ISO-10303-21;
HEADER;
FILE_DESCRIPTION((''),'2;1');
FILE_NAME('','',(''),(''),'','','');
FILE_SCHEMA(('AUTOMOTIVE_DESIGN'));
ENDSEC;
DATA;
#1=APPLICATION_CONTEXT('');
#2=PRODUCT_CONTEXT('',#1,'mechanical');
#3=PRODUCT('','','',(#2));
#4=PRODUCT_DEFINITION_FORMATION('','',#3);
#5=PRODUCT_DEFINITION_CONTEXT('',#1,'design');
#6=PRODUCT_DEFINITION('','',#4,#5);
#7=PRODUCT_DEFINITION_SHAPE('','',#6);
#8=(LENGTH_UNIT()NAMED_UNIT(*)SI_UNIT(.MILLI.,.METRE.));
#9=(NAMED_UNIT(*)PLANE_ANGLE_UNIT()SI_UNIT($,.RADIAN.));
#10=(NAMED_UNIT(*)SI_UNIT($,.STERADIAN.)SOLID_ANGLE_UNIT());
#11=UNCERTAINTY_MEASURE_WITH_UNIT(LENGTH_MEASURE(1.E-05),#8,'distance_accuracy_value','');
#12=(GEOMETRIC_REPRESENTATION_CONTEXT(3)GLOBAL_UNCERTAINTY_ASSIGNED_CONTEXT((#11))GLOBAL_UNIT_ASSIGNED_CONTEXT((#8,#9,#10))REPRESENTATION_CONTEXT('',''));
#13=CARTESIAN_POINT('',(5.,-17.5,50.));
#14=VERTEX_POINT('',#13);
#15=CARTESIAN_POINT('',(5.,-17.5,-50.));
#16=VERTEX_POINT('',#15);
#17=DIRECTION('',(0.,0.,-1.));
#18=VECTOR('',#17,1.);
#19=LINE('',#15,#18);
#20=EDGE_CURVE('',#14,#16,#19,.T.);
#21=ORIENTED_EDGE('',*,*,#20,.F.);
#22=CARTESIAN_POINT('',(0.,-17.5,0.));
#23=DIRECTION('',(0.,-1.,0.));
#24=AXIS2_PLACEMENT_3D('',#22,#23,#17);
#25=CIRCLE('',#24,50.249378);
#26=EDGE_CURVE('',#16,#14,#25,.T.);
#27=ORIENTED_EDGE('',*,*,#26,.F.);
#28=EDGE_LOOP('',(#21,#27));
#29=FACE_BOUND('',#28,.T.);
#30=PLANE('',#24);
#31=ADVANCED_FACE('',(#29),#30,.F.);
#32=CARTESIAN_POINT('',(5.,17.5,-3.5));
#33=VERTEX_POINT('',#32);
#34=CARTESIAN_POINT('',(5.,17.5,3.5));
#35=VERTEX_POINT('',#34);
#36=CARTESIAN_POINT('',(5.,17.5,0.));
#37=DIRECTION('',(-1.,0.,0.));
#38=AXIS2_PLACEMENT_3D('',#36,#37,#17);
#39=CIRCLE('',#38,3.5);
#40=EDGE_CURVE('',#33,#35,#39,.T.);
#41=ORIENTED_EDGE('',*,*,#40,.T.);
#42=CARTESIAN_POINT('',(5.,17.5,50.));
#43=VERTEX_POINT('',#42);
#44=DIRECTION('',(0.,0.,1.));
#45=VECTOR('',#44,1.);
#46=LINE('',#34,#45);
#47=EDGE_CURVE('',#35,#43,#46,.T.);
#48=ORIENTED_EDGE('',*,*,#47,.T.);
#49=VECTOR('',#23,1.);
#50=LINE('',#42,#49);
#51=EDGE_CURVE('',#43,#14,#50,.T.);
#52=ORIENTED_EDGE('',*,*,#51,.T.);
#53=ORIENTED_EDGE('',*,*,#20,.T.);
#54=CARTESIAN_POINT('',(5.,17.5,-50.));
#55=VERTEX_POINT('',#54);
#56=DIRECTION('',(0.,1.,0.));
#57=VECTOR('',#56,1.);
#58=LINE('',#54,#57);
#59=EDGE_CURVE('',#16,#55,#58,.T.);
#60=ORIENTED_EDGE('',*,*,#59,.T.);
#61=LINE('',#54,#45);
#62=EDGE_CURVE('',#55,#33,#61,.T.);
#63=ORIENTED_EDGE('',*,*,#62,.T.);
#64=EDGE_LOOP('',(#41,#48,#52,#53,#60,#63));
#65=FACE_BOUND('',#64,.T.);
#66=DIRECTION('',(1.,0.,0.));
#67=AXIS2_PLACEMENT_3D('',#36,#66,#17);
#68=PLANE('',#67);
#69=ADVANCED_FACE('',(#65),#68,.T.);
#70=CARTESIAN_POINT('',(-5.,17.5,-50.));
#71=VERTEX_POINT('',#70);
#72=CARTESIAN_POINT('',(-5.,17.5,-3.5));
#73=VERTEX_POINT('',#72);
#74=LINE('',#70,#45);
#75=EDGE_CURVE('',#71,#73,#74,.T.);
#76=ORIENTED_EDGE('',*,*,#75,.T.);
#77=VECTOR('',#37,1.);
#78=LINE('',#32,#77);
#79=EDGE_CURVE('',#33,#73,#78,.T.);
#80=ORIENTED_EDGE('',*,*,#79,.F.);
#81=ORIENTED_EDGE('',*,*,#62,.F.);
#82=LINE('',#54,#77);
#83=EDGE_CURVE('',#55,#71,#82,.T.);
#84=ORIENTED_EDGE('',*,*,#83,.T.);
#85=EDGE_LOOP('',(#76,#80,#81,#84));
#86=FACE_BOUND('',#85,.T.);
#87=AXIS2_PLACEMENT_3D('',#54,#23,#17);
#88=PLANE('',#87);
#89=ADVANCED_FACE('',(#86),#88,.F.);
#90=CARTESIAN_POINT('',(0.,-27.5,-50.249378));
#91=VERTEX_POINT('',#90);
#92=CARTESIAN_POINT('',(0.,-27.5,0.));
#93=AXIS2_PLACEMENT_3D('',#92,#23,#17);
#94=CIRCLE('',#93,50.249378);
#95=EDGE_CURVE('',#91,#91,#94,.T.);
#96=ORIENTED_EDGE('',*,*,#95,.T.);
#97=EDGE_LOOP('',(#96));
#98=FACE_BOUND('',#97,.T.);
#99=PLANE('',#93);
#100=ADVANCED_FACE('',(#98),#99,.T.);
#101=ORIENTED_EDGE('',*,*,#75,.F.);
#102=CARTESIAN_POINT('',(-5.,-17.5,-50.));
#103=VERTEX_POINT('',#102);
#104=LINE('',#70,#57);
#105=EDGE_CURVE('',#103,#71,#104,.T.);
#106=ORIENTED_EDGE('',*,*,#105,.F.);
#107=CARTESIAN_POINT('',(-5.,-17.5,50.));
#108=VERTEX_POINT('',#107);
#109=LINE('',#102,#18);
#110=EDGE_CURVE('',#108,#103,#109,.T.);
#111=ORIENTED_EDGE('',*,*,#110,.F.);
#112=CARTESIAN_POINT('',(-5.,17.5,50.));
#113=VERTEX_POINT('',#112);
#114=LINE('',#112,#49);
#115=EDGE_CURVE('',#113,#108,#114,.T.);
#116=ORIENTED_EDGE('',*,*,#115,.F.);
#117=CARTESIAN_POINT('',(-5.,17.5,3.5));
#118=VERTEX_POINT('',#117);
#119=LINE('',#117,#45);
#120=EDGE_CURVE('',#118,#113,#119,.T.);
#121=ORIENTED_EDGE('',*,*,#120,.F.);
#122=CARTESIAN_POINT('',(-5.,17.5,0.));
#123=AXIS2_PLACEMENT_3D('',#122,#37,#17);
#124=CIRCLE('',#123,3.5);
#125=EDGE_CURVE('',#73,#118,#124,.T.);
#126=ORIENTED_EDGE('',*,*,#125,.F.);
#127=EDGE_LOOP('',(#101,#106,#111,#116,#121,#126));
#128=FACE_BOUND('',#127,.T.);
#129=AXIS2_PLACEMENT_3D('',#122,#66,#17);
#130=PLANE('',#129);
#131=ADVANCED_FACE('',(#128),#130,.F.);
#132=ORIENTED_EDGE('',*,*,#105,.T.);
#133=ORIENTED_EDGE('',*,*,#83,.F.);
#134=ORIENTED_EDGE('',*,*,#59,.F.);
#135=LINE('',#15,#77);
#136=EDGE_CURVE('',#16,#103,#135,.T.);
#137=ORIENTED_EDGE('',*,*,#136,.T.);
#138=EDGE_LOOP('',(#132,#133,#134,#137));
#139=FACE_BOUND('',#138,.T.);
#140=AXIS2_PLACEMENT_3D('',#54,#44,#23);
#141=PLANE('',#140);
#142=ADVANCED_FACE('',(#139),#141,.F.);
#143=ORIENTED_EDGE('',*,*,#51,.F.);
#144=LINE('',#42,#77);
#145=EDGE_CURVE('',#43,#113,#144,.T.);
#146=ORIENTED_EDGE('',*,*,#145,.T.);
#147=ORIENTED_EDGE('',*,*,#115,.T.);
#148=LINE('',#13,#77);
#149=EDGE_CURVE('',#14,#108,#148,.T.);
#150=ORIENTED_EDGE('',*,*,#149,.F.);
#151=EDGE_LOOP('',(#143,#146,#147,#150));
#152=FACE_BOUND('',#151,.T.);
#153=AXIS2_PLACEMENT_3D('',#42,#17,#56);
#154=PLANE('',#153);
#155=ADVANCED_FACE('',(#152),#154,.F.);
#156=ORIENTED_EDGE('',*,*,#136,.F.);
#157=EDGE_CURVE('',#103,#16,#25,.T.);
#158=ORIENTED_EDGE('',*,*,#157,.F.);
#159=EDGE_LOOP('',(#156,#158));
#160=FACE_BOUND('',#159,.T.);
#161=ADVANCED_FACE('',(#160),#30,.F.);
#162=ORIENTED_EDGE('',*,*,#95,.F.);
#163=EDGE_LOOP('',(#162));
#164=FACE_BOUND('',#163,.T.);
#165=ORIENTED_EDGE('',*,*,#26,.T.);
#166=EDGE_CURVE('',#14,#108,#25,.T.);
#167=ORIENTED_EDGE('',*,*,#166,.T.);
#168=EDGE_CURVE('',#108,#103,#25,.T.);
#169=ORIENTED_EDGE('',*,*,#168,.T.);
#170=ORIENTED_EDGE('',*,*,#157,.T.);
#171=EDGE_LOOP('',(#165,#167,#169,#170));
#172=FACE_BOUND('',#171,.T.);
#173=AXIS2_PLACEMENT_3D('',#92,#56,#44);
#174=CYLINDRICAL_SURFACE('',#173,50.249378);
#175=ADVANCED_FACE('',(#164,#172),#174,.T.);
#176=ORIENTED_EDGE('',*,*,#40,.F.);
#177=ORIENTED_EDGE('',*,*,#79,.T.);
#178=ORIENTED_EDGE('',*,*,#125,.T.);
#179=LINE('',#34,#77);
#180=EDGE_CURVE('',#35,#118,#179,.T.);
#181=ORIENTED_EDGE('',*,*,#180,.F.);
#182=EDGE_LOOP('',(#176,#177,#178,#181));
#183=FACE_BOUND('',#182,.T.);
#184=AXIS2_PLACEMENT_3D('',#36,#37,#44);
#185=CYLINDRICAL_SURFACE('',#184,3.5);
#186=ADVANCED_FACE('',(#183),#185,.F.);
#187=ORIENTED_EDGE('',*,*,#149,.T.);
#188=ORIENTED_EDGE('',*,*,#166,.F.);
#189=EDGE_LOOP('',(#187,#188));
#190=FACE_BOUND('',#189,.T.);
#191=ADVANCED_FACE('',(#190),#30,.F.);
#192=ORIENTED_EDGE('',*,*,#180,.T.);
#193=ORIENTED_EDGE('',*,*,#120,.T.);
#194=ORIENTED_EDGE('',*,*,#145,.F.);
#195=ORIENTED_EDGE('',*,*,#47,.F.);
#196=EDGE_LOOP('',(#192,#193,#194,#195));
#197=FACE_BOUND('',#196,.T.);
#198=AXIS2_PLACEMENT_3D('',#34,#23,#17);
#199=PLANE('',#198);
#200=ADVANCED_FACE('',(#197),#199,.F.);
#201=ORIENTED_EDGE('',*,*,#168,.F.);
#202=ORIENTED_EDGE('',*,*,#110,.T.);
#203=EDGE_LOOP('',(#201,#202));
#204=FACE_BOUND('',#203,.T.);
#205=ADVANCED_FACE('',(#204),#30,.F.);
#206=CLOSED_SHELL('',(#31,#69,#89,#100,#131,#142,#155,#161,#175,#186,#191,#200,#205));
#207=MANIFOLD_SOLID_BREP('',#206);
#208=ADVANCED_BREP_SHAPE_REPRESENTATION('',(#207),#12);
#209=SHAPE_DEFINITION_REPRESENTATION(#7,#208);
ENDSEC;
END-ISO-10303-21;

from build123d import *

# Parameters (mm, degrees)
BOSS_EXTRUDE1_DEPTH = 5
SKETCH2_R           = 50.249378106
BOSS_EXTRUDE2_DEPTH = 10


with BuildPart() as part:
    # Sketch1 → Boss-Extrude1 (new, symmetric)
    with BuildSketch(Plane(origin=(0, 0, 0), x_dir=(0, 0, -1), z_dir=(1, 0, 0))):
        with BuildLine():
            Line((-3.5, 17.5), (-50, 17.5))
            Line((-50, 17.5), (-50, -17.5))
            Line((-50, -17.5), (50, -17.5))
            Line((50, -17.5), (50, 17.5))
            Line((50, 17.5), (3.5, 17.5))
            ThreePointArc((3.5, 17.5), (0, 14), (-3.5, 17.5))
        make_face()
    extrude(amount=BOSS_EXTRUDE1_DEPTH, both=True)

    # Sketch2 → Boss-Extrude2 (add)
    with BuildSketch(Plane.XZ.offset(17.5)):
        with Locations(Location((0, 0, 0), (0, 0, 95.710593137))):
            Circle(SKETCH2_R)
    extrude(amount=BOSS_EXTRUDE2_DEPTH)


solid = part.part
